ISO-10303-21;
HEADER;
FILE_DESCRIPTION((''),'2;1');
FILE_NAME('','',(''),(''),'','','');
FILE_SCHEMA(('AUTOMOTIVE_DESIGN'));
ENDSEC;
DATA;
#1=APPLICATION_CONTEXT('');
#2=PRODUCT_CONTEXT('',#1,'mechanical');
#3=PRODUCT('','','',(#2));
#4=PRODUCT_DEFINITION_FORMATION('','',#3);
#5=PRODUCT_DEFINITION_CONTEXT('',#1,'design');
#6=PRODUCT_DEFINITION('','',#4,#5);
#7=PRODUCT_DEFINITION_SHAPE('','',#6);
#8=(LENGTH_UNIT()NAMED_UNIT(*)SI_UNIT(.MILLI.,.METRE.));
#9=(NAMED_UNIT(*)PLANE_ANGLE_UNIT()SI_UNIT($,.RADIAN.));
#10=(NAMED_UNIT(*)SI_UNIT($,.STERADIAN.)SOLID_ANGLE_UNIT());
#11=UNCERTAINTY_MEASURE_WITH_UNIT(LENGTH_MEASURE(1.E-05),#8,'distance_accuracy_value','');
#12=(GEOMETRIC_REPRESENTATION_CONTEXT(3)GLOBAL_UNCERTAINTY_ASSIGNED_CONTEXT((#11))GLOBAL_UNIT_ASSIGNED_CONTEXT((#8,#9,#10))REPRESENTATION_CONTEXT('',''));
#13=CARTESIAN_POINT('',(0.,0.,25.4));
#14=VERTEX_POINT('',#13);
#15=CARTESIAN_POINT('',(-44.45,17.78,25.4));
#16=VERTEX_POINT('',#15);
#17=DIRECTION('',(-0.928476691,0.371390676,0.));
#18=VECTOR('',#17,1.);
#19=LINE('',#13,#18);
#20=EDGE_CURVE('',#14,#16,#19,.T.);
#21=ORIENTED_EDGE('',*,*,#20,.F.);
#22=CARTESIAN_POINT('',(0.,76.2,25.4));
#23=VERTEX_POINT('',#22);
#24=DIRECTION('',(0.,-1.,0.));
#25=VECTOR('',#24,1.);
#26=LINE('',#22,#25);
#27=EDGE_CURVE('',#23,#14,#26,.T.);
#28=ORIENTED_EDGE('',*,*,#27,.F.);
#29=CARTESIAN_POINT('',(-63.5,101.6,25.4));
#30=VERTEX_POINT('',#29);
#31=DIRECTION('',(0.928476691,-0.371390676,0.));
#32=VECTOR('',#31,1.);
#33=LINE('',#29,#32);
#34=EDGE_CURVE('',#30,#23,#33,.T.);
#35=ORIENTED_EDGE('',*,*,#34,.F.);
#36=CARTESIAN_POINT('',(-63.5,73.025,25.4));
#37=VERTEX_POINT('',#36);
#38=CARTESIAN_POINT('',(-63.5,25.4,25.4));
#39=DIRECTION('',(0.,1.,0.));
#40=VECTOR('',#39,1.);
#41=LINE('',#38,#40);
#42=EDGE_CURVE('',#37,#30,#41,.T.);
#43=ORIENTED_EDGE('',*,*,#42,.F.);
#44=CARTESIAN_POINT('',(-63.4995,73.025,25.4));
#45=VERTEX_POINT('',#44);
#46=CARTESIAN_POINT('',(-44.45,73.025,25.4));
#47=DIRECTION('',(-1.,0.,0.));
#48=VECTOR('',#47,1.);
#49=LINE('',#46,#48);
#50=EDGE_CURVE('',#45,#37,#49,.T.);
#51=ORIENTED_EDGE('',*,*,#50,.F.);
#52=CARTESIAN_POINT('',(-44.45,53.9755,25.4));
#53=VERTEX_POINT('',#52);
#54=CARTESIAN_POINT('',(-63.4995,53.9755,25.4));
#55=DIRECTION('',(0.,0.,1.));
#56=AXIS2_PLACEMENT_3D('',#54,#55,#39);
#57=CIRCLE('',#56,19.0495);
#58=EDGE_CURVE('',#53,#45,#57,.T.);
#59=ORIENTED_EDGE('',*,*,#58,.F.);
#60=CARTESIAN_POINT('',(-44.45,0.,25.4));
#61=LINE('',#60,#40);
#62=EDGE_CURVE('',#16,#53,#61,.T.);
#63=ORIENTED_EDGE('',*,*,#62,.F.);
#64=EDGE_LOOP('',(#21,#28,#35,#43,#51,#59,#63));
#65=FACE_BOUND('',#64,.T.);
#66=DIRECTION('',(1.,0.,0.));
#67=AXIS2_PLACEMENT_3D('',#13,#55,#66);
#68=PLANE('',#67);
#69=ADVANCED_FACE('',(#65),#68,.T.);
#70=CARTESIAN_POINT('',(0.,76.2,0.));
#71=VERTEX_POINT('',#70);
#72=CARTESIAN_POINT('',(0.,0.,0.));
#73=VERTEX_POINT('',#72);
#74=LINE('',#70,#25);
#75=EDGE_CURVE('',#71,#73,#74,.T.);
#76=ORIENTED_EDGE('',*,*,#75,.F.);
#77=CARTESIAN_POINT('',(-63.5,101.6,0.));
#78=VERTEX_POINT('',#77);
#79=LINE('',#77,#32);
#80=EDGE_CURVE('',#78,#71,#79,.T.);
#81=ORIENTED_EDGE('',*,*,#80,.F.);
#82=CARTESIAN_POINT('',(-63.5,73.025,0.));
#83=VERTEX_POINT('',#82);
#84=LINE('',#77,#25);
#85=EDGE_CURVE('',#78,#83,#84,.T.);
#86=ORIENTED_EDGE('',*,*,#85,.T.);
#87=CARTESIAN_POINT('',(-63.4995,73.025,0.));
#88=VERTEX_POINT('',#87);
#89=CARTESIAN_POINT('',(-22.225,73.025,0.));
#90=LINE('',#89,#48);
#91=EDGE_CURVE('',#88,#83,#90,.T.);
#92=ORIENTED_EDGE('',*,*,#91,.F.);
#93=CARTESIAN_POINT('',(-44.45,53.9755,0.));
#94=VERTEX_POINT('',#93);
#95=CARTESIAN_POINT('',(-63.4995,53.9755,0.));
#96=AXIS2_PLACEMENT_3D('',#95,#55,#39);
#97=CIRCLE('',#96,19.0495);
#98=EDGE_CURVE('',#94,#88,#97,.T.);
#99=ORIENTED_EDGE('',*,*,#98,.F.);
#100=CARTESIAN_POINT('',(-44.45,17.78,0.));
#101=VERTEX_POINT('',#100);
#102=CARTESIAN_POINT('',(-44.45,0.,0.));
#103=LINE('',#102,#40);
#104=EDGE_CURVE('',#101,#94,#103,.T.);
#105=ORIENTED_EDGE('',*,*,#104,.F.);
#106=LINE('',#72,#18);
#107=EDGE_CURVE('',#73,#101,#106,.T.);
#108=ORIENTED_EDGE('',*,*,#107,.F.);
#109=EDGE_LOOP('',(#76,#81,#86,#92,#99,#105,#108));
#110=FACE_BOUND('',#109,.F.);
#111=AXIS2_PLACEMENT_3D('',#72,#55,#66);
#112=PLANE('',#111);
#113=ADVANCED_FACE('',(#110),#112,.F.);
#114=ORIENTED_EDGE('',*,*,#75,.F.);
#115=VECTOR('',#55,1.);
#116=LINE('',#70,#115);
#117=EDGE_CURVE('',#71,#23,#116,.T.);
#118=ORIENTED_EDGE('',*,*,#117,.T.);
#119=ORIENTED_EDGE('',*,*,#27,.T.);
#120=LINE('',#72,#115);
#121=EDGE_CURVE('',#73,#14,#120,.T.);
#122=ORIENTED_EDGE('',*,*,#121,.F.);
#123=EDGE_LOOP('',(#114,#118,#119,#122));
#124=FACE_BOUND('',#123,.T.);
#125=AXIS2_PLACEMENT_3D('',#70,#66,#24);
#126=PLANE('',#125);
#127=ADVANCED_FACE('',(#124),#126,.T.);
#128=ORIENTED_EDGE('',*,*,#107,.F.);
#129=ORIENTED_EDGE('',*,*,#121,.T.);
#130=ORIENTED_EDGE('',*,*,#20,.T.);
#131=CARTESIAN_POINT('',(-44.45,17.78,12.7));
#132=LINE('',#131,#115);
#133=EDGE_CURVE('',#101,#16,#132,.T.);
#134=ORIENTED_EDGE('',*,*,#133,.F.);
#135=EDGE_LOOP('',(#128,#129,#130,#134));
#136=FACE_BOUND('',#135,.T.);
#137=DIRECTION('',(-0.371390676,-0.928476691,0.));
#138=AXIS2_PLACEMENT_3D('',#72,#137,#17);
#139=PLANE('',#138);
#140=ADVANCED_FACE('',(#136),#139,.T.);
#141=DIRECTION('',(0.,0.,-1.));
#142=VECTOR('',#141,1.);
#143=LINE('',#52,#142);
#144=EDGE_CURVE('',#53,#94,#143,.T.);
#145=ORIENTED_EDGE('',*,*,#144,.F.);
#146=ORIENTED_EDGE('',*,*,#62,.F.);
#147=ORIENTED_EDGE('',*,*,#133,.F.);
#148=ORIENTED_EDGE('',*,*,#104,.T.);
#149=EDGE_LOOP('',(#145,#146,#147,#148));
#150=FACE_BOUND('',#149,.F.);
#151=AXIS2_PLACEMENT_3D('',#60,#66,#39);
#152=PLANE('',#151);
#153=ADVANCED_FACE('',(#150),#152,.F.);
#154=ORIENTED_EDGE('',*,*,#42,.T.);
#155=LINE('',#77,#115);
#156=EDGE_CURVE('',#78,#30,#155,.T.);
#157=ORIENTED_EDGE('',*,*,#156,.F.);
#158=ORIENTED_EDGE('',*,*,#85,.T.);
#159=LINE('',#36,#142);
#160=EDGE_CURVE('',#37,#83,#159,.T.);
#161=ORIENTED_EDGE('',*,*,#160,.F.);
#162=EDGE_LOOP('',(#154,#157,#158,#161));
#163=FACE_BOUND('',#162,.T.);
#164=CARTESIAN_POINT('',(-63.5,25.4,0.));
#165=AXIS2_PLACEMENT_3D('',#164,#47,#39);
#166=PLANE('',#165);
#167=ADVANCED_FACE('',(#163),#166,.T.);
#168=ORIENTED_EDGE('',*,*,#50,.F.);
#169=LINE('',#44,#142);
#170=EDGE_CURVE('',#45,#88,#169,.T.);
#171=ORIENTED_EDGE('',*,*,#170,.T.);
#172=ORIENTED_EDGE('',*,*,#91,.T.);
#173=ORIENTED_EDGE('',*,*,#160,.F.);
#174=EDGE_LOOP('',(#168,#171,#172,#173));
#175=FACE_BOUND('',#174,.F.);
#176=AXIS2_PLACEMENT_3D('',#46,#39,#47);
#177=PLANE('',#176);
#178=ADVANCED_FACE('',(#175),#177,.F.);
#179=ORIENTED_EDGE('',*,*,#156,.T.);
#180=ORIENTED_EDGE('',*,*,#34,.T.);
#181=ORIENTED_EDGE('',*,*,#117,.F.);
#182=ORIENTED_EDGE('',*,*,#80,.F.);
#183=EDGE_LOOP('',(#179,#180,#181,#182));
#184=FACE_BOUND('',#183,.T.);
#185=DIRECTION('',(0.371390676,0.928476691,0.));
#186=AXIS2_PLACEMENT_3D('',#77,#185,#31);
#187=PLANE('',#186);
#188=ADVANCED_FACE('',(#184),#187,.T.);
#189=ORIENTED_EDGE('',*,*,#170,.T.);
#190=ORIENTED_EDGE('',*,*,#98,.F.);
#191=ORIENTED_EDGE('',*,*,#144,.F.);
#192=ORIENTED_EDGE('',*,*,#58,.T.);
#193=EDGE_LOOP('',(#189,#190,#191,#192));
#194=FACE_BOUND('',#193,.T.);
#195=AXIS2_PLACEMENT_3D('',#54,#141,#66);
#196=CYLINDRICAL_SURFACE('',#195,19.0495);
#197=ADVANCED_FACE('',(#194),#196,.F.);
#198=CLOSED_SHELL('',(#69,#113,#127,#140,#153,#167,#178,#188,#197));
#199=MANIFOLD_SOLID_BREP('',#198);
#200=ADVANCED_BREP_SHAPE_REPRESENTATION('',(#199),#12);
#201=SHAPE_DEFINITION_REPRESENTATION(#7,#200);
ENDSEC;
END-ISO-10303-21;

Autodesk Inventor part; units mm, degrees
ref_plane "YZ Plane" through (0, 0, 0) normal (1, 0, 0) x (0, 1, 0)
ref_plane "XZ Plane" through (0, 0, 0) normal (0, 1, 0) x (-1, 0, 0)
ref_plane "XY Plane" through (0, 0, 0) normal (0, 0, 1) x (1, 0, 0)
sketch "Sketch1" plane through (0, 0, 0) normal (0, 0, 1) x (1, 0, 0)
  line L0 (0, 0) -> (-63.5, 25.4)
  line L1 (-63.5, 25.4) -> (-63.5, 76.2)
  line L2 (-63.5, 76.2) -> (0, 76.2)
  line L3 (0, 76.2) -> (0, 0)
  line L4 (-63.5, 76.2) -> (-63.5, 101.6)
  line L5 (-63.5, 101.6) -> (0, 76.2)
  line L6 (0, 76.2) -> (0, 101.6) construction
  dimension "d0" = 76.2
  dimension "d13" = 25.4
  dimension "bottomAngle" = 68.199
  dimension "d16" = 25.4
  dimension "d17" = 68.199
  dimension "d18" = 21.801
  dimension "d19" = 63.5
extrude "Extrusion1" add sketch "Sketch1" along normal blind 25.4
sketch "Sketch2" plane through (0, 0, 25.4) normal (0, 0, 1) x (1, 0, 0)
  line L0 (-63.5, 0) -> (-44.45, 0)
  line L1 (-44.45, 0) -> (-44.45, 73.025)
  line L2 (-44.45, 73.025) -> (-63.5, 73.025)
  line L3 (-63.5, 73.025) -> (-63.5, 0)
  line L4 (-63.5, 101.6) -> (-63.5, 25.4) projected
  point P0 (0, 0)
  dimension "d7" = 19.05
  dimension "d8" = 73.025
extrude "Extrusion2" cut sketch "Sketch2" against normal through all
fillet "Fillet1" radius 19.05 1 edges at (-44.45, 73.025, 12.7)
sketch "Sketch3" plane through (0, 0, 25.4) normal (0, 0, 1) x (1, 0, 0)
  line L0 (-44.45, 0) -> (-3.175, 0) projected
  line L1 (-44.45, 53.975) -> (-44.45, 17.78) projected
  line L2 (0, 76.2) -> (-63.5, 101.6) projected
  line L3 (-3.175, 0) -> (-44.45, 16.51)
properties part number "At Angle Linear Dim"
